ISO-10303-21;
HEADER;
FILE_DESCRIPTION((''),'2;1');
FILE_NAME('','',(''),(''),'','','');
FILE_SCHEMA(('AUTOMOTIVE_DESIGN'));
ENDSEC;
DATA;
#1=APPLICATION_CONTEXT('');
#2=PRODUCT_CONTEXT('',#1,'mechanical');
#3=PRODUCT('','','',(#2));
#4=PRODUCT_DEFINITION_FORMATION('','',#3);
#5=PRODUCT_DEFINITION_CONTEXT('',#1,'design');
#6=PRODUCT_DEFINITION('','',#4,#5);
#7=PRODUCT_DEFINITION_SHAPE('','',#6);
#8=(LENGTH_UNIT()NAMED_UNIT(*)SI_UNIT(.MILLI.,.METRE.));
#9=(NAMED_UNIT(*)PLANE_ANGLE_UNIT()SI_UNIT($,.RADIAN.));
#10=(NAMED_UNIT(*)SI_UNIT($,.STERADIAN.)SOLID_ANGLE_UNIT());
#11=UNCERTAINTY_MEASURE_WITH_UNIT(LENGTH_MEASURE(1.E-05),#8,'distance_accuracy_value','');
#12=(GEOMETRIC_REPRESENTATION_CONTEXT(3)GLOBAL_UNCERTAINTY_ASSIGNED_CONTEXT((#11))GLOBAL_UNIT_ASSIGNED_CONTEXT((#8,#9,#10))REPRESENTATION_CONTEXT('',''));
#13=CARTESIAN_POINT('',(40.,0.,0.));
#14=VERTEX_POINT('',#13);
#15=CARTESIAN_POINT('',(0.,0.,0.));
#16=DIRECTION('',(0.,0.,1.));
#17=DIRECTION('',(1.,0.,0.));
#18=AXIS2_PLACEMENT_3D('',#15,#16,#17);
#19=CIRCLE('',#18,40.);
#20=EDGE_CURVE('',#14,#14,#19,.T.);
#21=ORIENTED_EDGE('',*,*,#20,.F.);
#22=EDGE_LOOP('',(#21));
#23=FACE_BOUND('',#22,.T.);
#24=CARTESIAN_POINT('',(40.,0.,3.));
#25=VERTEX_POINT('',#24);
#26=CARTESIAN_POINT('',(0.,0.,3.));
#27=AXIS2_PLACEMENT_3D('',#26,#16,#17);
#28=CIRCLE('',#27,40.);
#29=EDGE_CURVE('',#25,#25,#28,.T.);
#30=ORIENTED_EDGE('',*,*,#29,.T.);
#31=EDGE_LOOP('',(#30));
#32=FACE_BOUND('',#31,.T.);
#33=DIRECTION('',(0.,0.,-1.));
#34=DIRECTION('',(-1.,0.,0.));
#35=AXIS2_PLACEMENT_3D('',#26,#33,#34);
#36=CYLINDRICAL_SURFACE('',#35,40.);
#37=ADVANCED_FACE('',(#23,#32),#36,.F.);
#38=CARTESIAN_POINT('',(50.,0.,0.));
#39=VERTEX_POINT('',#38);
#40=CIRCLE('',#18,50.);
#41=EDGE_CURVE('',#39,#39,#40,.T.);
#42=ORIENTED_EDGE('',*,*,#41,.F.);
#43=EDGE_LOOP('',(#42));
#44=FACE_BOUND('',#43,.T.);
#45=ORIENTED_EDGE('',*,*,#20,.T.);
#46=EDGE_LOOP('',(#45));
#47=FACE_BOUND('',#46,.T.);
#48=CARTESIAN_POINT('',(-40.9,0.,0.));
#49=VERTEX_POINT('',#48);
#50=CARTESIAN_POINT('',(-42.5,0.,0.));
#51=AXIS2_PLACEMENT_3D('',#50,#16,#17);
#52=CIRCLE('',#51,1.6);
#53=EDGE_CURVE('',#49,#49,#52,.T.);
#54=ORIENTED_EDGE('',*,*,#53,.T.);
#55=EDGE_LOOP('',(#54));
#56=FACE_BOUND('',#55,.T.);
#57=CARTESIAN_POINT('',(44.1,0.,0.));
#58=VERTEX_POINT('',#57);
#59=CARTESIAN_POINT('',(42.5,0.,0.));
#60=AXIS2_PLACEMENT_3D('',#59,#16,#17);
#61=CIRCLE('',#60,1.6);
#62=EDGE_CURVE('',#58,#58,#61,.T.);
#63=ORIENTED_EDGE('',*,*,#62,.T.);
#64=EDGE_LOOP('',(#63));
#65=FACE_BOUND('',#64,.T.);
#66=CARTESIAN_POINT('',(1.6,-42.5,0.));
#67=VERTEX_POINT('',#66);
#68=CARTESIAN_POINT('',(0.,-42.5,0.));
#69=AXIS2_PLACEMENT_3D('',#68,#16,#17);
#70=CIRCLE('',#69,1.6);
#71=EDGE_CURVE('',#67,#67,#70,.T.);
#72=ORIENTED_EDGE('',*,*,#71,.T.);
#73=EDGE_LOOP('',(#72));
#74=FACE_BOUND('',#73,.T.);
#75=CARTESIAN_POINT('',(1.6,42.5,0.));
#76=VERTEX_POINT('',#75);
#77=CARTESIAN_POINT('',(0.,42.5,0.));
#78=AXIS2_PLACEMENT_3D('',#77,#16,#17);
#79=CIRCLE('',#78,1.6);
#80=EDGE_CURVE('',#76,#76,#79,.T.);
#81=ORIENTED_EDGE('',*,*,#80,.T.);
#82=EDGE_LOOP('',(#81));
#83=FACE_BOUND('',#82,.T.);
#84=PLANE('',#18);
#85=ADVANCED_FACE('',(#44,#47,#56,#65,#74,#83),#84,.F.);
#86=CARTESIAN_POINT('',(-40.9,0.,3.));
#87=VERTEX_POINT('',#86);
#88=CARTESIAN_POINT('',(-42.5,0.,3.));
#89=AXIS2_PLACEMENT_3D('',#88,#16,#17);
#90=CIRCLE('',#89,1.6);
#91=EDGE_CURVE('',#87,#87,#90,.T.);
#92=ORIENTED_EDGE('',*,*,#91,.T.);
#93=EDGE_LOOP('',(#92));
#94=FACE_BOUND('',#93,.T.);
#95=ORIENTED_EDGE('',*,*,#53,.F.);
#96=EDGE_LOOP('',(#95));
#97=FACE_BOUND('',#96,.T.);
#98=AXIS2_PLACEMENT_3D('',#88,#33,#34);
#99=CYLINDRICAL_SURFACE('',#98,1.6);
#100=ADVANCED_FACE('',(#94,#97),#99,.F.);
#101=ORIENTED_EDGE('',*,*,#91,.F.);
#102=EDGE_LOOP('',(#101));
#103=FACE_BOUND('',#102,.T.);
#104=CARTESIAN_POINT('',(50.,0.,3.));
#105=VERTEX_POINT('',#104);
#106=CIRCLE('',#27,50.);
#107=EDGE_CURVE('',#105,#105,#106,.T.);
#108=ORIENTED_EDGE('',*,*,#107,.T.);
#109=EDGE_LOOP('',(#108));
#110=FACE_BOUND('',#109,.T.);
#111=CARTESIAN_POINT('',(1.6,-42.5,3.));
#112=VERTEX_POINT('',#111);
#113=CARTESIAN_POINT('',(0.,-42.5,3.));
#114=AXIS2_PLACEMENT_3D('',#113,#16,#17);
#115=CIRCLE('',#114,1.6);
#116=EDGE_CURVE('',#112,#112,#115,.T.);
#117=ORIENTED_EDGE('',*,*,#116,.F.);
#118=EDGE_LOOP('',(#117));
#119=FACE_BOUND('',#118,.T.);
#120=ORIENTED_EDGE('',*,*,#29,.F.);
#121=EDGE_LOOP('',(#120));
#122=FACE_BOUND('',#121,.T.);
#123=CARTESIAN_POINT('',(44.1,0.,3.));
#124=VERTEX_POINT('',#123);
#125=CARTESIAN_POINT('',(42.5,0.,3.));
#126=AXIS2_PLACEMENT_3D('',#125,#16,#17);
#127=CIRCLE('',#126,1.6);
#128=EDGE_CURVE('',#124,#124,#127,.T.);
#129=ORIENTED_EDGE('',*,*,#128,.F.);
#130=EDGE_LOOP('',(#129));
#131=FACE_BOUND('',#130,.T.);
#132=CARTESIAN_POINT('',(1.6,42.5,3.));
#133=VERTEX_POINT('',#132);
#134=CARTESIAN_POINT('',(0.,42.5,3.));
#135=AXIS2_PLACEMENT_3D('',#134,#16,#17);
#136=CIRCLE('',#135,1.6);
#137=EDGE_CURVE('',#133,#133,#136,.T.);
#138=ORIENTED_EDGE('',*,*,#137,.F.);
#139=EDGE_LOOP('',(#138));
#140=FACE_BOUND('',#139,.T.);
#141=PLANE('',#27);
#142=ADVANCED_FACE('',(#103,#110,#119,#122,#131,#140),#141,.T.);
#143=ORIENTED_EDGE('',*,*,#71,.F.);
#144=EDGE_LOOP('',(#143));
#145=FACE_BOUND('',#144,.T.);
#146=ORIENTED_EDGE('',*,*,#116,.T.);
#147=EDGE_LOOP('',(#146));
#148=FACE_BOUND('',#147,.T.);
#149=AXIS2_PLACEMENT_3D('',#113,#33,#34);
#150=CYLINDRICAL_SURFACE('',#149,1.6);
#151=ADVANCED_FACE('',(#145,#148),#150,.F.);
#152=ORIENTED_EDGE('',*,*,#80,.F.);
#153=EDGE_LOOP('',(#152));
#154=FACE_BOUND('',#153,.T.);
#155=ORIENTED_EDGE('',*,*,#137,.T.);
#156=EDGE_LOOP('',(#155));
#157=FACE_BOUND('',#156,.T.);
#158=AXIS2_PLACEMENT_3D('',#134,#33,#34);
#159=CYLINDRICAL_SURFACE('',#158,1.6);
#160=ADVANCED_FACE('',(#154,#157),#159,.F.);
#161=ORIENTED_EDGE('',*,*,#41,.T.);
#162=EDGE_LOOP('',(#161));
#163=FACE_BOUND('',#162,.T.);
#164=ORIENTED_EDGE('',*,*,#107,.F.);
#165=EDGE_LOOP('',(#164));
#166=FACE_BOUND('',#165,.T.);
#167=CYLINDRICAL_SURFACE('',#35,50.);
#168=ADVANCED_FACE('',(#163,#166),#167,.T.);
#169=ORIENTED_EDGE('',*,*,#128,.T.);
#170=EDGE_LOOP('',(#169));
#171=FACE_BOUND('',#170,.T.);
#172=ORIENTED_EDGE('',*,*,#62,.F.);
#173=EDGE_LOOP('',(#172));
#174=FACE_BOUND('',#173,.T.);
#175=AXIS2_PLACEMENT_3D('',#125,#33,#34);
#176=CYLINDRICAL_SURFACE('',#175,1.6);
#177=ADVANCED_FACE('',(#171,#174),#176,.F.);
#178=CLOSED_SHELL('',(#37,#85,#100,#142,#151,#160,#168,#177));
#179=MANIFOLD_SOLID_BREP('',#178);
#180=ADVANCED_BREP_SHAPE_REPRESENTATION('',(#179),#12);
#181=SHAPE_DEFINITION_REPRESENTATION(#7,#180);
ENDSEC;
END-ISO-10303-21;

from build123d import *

# Parameters (mm, degrees)
SKETCH_1_R      = 50
SKETCH_1_R_2    = 40
SKETCH_1_R_3    = 1.6
EXTRUDE_1_DEPTH = 3


with BuildPart() as part:
    # 草图1 → 凸台-拉伸1 (new body)
    with BuildSketch(Plane.XY):
        Circle(SKETCH_1_R)
        Circle(SKETCH_1_R_2, mode=Mode.SUBTRACT)
        with Locations((0, 42.5)):
            Circle(SKETCH_1_R_3, mode=Mode.SUBTRACT)
        with Locations((42.5, 0)):
            Circle(SKETCH_1_R_3, mode=Mode.SUBTRACT)
        with Locations((0, -42.5)):
            Circle(SKETCH_1_R_3, mode=Mode.SUBTRACT)
        with Locations((-42.5, 0)):
            Circle(SKETCH_1_R_3, mode=Mode.SUBTRACT)
    extrude(amount=EXTRUDE_1_DEPTH)


solid = part.part
